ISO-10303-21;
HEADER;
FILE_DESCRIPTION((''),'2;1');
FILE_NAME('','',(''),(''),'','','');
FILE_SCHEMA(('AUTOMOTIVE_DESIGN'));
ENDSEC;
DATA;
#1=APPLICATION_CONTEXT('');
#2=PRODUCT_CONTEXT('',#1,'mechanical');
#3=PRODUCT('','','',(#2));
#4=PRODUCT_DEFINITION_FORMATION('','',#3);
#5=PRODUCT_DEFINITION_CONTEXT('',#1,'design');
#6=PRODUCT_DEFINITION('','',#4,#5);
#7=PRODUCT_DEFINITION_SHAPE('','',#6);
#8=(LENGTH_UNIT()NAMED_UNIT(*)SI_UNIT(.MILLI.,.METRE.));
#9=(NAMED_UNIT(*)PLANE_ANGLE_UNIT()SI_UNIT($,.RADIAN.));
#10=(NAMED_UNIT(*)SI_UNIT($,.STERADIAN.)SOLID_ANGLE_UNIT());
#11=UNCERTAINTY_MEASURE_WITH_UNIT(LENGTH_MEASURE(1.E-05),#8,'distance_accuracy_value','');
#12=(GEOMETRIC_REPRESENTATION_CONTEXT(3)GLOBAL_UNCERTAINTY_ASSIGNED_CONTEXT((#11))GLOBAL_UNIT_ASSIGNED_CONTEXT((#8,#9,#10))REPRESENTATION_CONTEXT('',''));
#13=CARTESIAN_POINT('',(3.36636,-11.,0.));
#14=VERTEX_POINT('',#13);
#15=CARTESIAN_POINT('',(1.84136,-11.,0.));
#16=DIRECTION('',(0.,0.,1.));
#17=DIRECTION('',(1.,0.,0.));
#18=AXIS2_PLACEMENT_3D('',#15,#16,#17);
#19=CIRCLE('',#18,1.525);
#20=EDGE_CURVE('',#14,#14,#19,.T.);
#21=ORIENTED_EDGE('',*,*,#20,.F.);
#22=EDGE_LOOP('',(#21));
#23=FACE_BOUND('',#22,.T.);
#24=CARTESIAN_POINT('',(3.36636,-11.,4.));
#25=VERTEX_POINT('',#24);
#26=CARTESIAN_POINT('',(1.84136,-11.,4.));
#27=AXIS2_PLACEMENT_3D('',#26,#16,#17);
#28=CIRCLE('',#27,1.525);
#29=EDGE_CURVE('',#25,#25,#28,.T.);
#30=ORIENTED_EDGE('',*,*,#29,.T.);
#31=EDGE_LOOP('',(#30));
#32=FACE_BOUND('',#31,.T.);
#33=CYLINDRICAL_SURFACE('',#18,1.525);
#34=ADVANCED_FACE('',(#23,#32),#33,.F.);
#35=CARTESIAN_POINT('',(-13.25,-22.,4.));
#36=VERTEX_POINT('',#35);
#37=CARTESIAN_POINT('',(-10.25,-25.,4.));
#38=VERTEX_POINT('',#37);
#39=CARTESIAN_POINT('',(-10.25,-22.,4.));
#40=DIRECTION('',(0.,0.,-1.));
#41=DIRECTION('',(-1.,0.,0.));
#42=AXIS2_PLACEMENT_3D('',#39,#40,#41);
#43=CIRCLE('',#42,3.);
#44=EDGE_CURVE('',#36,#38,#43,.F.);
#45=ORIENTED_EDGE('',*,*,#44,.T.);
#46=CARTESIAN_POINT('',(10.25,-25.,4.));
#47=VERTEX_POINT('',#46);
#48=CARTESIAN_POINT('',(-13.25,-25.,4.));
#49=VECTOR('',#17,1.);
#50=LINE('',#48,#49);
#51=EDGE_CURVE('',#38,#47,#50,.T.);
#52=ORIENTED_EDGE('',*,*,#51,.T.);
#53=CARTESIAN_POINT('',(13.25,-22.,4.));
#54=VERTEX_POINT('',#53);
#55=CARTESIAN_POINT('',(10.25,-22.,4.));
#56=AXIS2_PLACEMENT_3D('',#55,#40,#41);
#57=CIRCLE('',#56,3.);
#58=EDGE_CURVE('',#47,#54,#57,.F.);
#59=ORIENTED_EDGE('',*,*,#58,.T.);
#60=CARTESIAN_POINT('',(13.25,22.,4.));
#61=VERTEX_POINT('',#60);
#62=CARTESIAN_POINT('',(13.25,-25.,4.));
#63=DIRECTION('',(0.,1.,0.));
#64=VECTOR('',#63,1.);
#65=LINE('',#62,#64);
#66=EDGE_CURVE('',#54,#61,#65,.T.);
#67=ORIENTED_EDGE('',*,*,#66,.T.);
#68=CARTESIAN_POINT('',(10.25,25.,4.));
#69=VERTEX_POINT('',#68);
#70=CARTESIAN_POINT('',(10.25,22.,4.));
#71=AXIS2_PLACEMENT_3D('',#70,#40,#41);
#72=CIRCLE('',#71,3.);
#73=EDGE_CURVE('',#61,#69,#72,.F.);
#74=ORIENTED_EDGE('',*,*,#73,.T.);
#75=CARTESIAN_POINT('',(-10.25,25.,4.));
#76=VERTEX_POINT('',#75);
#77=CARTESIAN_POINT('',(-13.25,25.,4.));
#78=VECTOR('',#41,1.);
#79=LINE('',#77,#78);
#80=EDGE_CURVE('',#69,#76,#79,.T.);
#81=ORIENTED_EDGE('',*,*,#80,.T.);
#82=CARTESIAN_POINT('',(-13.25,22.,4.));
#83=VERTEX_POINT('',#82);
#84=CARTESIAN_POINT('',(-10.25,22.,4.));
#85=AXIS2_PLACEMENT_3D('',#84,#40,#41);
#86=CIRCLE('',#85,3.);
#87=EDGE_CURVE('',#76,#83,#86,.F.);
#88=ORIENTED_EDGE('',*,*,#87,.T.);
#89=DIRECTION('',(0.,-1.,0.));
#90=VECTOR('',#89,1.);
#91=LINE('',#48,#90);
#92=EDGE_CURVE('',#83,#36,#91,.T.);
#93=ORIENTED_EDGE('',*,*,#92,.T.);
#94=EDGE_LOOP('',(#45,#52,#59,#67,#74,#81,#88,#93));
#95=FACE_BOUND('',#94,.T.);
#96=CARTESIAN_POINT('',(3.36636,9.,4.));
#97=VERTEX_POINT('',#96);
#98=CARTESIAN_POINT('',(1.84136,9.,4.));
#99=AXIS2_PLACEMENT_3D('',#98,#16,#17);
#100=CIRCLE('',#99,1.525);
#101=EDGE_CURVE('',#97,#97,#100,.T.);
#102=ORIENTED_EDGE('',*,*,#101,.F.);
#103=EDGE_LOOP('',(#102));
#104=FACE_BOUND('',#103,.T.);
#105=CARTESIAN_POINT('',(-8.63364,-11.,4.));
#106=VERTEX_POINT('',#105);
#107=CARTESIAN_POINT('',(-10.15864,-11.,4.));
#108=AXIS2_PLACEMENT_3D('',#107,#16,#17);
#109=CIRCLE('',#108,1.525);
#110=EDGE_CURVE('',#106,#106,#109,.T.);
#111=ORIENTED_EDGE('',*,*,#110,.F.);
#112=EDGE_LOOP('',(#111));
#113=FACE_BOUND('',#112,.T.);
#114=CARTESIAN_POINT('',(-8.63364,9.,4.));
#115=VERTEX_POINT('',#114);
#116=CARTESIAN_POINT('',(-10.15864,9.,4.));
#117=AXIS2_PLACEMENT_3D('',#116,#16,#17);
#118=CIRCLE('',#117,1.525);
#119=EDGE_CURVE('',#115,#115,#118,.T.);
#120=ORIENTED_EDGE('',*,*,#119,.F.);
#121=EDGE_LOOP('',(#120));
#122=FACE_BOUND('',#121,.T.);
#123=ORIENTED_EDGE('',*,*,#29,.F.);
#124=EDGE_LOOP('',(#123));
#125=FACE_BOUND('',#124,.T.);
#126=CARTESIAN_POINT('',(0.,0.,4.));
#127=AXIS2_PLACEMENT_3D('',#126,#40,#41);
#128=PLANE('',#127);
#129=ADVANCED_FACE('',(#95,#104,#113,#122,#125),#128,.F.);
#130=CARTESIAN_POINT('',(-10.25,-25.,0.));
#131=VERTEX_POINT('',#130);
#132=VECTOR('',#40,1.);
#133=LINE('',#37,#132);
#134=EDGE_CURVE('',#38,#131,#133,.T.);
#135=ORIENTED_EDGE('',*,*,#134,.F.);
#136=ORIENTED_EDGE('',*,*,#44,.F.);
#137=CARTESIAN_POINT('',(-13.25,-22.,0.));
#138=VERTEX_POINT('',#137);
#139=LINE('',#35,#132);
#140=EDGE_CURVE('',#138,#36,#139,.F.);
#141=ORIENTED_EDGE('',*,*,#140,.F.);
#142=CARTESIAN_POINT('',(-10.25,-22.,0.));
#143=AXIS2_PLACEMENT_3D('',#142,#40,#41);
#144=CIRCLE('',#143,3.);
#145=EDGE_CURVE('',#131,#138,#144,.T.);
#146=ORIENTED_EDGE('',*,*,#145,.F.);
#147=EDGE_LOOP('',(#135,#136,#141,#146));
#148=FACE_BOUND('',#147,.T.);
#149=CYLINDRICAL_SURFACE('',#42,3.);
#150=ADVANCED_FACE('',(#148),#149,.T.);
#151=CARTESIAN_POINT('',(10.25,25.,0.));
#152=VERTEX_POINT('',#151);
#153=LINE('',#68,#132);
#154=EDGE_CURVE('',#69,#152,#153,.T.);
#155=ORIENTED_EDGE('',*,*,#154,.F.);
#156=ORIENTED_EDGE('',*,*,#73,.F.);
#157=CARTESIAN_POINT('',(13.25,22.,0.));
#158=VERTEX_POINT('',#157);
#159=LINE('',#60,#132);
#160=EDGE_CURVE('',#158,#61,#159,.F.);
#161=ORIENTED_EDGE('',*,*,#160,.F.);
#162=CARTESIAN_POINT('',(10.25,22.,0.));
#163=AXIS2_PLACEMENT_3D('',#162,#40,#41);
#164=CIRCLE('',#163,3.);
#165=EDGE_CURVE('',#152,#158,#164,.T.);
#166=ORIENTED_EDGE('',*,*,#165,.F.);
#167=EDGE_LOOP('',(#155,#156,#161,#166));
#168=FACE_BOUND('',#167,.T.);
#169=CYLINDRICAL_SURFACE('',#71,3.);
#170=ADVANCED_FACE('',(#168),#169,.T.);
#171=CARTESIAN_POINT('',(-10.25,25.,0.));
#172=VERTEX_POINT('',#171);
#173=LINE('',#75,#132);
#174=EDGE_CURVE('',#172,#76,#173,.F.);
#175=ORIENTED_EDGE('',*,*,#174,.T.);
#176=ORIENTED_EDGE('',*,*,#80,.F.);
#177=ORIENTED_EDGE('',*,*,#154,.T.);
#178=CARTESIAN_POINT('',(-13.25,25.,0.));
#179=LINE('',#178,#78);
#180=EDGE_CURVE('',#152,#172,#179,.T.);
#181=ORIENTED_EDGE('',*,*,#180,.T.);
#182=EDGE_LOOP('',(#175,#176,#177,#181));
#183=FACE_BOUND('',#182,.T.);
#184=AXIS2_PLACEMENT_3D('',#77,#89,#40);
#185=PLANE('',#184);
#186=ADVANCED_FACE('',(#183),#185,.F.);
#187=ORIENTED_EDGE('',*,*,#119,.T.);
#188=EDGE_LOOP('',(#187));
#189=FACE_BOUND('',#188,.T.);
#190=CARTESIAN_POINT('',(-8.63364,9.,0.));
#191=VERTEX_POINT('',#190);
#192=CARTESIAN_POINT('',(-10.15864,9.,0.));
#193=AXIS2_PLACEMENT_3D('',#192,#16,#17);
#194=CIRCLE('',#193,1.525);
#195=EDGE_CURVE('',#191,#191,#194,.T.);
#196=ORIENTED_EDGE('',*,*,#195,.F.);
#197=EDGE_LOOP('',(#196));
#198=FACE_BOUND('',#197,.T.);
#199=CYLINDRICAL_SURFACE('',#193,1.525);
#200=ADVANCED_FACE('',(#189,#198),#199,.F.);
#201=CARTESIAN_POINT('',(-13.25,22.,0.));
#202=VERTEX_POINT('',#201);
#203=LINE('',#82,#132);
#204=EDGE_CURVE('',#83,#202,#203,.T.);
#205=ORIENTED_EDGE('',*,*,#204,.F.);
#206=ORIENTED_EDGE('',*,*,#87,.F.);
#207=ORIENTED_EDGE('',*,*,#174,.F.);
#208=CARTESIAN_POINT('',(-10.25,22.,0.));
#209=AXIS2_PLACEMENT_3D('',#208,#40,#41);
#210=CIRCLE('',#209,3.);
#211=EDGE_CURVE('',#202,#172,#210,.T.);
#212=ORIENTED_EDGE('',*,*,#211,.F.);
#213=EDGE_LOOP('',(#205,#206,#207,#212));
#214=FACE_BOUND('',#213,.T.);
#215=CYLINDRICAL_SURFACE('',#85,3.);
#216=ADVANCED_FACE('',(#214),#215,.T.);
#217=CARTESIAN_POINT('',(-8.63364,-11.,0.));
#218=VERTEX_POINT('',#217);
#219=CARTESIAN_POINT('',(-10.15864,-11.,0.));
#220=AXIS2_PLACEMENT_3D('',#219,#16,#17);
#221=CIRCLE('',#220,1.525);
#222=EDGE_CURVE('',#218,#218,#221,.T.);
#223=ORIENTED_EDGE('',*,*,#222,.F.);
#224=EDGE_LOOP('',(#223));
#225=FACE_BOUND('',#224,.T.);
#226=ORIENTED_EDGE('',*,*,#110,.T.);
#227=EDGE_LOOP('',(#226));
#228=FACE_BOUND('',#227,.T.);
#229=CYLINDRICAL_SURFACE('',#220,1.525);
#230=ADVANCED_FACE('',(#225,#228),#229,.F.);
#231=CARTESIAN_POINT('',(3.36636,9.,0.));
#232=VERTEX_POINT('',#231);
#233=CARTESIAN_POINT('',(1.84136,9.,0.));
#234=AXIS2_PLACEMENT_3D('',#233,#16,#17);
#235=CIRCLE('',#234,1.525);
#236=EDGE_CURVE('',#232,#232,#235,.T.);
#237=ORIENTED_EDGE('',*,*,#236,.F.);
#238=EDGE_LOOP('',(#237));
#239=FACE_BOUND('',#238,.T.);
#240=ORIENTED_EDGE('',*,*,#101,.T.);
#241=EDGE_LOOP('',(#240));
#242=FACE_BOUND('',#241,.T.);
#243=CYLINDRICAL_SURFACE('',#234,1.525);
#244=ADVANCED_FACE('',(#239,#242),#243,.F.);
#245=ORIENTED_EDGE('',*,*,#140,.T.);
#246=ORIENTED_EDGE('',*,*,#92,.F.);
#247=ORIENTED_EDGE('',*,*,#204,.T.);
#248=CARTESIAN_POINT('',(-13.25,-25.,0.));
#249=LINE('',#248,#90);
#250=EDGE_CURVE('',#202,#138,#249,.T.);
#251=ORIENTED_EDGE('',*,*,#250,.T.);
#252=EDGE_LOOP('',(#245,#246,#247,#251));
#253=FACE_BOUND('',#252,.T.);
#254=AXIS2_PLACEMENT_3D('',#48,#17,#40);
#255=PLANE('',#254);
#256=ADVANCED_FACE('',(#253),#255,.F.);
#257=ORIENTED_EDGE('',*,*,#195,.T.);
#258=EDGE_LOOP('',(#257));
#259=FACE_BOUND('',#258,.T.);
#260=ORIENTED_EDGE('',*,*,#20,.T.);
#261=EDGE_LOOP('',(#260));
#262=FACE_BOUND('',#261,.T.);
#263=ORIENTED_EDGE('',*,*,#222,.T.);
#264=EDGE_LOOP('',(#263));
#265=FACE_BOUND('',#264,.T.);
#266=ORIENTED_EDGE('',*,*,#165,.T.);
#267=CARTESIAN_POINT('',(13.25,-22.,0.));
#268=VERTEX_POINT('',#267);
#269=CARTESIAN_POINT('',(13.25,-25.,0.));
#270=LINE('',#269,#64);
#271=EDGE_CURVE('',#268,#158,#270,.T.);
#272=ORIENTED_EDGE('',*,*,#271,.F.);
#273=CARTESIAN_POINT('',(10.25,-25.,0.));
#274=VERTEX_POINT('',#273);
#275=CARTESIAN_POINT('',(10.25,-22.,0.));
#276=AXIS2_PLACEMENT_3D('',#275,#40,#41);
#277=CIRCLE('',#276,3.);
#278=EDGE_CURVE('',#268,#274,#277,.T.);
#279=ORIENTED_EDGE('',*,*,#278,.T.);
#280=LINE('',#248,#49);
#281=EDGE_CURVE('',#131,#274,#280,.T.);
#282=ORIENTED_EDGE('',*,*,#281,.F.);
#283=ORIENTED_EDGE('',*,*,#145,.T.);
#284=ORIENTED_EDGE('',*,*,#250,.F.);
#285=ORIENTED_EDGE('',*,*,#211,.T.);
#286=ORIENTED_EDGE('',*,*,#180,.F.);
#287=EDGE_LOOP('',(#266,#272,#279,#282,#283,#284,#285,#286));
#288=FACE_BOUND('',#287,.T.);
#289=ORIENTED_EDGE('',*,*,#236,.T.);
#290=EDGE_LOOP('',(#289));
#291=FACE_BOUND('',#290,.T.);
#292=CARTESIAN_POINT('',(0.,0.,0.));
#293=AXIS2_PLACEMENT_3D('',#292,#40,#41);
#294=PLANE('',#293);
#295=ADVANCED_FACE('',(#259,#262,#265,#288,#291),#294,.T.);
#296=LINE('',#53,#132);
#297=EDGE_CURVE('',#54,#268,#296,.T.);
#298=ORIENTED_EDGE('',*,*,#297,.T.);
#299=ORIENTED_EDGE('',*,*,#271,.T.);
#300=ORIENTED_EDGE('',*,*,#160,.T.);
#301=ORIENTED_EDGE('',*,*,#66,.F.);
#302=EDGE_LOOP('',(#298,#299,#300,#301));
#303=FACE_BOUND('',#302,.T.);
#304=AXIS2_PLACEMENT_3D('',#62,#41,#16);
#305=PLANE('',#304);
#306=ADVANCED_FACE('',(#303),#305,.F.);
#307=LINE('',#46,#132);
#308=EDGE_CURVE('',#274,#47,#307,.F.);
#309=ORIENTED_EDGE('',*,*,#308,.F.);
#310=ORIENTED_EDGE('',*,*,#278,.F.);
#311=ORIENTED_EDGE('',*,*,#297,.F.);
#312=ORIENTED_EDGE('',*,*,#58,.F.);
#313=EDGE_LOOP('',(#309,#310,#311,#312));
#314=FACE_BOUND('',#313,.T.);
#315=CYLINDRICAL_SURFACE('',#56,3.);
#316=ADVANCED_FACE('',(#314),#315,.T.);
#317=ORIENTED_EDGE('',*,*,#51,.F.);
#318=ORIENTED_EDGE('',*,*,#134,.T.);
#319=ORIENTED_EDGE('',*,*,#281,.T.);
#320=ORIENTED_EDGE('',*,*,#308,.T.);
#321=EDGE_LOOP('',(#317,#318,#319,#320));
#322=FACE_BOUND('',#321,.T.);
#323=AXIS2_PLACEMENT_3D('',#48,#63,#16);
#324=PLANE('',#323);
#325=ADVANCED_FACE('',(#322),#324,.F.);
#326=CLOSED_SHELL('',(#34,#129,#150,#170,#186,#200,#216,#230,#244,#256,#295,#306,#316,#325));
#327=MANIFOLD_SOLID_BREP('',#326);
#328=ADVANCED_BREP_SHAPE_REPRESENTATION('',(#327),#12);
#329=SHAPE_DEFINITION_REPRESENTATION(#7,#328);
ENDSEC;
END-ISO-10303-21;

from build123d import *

# Parameters (mm, degrees)
SKETCH_1_W          = 26.5
SKETCH_1_H          = 50
EXTRUDE_1_DEPTH     = 4
SKETCH_2_R          = 1.525
CUT_EXTRUDE_1_DEPTH = 4
FILLET_1_R          = 3


with BuildPart() as part:
    # 草图1 → 凸台-拉伸1 (new body)
    with BuildSketch(Plane.XY):
        Rectangle(SKETCH_1_W, SKETCH_1_H)
    extrude(amount=EXTRUDE_1_DEPTH)

    # 草图2 → 切除-拉伸1 (cut)
    with BuildSketch(Plane.XY.offset(4)):
        with Locations((-10.158640444, 9)):
            Circle(SKETCH_2_R)
        with Locations((1.841359556, 9)):
            Circle(SKETCH_2_R)
        with Locations((-10.158640444, -11)):
            Circle(SKETCH_2_R)
        with Locations((1.841359556, -11)):
            Circle(SKETCH_2_R)
    extrude(amount=-CUT_EXTRUDE_1_DEPTH, mode=Mode.SUBTRACT)

    # 圆角1
    fillet_1_edges = [part.edges().sort_by_distance(p)[0] for p in [
        (13.25, -25, 2),
        (-13.25, -25, 2),
        (-13.25, 25, 2),
        (13.25, 25, 2),
    ]]
    fillet(fillet_1_edges, radius=FILLET_1_R)


solid = part.part
